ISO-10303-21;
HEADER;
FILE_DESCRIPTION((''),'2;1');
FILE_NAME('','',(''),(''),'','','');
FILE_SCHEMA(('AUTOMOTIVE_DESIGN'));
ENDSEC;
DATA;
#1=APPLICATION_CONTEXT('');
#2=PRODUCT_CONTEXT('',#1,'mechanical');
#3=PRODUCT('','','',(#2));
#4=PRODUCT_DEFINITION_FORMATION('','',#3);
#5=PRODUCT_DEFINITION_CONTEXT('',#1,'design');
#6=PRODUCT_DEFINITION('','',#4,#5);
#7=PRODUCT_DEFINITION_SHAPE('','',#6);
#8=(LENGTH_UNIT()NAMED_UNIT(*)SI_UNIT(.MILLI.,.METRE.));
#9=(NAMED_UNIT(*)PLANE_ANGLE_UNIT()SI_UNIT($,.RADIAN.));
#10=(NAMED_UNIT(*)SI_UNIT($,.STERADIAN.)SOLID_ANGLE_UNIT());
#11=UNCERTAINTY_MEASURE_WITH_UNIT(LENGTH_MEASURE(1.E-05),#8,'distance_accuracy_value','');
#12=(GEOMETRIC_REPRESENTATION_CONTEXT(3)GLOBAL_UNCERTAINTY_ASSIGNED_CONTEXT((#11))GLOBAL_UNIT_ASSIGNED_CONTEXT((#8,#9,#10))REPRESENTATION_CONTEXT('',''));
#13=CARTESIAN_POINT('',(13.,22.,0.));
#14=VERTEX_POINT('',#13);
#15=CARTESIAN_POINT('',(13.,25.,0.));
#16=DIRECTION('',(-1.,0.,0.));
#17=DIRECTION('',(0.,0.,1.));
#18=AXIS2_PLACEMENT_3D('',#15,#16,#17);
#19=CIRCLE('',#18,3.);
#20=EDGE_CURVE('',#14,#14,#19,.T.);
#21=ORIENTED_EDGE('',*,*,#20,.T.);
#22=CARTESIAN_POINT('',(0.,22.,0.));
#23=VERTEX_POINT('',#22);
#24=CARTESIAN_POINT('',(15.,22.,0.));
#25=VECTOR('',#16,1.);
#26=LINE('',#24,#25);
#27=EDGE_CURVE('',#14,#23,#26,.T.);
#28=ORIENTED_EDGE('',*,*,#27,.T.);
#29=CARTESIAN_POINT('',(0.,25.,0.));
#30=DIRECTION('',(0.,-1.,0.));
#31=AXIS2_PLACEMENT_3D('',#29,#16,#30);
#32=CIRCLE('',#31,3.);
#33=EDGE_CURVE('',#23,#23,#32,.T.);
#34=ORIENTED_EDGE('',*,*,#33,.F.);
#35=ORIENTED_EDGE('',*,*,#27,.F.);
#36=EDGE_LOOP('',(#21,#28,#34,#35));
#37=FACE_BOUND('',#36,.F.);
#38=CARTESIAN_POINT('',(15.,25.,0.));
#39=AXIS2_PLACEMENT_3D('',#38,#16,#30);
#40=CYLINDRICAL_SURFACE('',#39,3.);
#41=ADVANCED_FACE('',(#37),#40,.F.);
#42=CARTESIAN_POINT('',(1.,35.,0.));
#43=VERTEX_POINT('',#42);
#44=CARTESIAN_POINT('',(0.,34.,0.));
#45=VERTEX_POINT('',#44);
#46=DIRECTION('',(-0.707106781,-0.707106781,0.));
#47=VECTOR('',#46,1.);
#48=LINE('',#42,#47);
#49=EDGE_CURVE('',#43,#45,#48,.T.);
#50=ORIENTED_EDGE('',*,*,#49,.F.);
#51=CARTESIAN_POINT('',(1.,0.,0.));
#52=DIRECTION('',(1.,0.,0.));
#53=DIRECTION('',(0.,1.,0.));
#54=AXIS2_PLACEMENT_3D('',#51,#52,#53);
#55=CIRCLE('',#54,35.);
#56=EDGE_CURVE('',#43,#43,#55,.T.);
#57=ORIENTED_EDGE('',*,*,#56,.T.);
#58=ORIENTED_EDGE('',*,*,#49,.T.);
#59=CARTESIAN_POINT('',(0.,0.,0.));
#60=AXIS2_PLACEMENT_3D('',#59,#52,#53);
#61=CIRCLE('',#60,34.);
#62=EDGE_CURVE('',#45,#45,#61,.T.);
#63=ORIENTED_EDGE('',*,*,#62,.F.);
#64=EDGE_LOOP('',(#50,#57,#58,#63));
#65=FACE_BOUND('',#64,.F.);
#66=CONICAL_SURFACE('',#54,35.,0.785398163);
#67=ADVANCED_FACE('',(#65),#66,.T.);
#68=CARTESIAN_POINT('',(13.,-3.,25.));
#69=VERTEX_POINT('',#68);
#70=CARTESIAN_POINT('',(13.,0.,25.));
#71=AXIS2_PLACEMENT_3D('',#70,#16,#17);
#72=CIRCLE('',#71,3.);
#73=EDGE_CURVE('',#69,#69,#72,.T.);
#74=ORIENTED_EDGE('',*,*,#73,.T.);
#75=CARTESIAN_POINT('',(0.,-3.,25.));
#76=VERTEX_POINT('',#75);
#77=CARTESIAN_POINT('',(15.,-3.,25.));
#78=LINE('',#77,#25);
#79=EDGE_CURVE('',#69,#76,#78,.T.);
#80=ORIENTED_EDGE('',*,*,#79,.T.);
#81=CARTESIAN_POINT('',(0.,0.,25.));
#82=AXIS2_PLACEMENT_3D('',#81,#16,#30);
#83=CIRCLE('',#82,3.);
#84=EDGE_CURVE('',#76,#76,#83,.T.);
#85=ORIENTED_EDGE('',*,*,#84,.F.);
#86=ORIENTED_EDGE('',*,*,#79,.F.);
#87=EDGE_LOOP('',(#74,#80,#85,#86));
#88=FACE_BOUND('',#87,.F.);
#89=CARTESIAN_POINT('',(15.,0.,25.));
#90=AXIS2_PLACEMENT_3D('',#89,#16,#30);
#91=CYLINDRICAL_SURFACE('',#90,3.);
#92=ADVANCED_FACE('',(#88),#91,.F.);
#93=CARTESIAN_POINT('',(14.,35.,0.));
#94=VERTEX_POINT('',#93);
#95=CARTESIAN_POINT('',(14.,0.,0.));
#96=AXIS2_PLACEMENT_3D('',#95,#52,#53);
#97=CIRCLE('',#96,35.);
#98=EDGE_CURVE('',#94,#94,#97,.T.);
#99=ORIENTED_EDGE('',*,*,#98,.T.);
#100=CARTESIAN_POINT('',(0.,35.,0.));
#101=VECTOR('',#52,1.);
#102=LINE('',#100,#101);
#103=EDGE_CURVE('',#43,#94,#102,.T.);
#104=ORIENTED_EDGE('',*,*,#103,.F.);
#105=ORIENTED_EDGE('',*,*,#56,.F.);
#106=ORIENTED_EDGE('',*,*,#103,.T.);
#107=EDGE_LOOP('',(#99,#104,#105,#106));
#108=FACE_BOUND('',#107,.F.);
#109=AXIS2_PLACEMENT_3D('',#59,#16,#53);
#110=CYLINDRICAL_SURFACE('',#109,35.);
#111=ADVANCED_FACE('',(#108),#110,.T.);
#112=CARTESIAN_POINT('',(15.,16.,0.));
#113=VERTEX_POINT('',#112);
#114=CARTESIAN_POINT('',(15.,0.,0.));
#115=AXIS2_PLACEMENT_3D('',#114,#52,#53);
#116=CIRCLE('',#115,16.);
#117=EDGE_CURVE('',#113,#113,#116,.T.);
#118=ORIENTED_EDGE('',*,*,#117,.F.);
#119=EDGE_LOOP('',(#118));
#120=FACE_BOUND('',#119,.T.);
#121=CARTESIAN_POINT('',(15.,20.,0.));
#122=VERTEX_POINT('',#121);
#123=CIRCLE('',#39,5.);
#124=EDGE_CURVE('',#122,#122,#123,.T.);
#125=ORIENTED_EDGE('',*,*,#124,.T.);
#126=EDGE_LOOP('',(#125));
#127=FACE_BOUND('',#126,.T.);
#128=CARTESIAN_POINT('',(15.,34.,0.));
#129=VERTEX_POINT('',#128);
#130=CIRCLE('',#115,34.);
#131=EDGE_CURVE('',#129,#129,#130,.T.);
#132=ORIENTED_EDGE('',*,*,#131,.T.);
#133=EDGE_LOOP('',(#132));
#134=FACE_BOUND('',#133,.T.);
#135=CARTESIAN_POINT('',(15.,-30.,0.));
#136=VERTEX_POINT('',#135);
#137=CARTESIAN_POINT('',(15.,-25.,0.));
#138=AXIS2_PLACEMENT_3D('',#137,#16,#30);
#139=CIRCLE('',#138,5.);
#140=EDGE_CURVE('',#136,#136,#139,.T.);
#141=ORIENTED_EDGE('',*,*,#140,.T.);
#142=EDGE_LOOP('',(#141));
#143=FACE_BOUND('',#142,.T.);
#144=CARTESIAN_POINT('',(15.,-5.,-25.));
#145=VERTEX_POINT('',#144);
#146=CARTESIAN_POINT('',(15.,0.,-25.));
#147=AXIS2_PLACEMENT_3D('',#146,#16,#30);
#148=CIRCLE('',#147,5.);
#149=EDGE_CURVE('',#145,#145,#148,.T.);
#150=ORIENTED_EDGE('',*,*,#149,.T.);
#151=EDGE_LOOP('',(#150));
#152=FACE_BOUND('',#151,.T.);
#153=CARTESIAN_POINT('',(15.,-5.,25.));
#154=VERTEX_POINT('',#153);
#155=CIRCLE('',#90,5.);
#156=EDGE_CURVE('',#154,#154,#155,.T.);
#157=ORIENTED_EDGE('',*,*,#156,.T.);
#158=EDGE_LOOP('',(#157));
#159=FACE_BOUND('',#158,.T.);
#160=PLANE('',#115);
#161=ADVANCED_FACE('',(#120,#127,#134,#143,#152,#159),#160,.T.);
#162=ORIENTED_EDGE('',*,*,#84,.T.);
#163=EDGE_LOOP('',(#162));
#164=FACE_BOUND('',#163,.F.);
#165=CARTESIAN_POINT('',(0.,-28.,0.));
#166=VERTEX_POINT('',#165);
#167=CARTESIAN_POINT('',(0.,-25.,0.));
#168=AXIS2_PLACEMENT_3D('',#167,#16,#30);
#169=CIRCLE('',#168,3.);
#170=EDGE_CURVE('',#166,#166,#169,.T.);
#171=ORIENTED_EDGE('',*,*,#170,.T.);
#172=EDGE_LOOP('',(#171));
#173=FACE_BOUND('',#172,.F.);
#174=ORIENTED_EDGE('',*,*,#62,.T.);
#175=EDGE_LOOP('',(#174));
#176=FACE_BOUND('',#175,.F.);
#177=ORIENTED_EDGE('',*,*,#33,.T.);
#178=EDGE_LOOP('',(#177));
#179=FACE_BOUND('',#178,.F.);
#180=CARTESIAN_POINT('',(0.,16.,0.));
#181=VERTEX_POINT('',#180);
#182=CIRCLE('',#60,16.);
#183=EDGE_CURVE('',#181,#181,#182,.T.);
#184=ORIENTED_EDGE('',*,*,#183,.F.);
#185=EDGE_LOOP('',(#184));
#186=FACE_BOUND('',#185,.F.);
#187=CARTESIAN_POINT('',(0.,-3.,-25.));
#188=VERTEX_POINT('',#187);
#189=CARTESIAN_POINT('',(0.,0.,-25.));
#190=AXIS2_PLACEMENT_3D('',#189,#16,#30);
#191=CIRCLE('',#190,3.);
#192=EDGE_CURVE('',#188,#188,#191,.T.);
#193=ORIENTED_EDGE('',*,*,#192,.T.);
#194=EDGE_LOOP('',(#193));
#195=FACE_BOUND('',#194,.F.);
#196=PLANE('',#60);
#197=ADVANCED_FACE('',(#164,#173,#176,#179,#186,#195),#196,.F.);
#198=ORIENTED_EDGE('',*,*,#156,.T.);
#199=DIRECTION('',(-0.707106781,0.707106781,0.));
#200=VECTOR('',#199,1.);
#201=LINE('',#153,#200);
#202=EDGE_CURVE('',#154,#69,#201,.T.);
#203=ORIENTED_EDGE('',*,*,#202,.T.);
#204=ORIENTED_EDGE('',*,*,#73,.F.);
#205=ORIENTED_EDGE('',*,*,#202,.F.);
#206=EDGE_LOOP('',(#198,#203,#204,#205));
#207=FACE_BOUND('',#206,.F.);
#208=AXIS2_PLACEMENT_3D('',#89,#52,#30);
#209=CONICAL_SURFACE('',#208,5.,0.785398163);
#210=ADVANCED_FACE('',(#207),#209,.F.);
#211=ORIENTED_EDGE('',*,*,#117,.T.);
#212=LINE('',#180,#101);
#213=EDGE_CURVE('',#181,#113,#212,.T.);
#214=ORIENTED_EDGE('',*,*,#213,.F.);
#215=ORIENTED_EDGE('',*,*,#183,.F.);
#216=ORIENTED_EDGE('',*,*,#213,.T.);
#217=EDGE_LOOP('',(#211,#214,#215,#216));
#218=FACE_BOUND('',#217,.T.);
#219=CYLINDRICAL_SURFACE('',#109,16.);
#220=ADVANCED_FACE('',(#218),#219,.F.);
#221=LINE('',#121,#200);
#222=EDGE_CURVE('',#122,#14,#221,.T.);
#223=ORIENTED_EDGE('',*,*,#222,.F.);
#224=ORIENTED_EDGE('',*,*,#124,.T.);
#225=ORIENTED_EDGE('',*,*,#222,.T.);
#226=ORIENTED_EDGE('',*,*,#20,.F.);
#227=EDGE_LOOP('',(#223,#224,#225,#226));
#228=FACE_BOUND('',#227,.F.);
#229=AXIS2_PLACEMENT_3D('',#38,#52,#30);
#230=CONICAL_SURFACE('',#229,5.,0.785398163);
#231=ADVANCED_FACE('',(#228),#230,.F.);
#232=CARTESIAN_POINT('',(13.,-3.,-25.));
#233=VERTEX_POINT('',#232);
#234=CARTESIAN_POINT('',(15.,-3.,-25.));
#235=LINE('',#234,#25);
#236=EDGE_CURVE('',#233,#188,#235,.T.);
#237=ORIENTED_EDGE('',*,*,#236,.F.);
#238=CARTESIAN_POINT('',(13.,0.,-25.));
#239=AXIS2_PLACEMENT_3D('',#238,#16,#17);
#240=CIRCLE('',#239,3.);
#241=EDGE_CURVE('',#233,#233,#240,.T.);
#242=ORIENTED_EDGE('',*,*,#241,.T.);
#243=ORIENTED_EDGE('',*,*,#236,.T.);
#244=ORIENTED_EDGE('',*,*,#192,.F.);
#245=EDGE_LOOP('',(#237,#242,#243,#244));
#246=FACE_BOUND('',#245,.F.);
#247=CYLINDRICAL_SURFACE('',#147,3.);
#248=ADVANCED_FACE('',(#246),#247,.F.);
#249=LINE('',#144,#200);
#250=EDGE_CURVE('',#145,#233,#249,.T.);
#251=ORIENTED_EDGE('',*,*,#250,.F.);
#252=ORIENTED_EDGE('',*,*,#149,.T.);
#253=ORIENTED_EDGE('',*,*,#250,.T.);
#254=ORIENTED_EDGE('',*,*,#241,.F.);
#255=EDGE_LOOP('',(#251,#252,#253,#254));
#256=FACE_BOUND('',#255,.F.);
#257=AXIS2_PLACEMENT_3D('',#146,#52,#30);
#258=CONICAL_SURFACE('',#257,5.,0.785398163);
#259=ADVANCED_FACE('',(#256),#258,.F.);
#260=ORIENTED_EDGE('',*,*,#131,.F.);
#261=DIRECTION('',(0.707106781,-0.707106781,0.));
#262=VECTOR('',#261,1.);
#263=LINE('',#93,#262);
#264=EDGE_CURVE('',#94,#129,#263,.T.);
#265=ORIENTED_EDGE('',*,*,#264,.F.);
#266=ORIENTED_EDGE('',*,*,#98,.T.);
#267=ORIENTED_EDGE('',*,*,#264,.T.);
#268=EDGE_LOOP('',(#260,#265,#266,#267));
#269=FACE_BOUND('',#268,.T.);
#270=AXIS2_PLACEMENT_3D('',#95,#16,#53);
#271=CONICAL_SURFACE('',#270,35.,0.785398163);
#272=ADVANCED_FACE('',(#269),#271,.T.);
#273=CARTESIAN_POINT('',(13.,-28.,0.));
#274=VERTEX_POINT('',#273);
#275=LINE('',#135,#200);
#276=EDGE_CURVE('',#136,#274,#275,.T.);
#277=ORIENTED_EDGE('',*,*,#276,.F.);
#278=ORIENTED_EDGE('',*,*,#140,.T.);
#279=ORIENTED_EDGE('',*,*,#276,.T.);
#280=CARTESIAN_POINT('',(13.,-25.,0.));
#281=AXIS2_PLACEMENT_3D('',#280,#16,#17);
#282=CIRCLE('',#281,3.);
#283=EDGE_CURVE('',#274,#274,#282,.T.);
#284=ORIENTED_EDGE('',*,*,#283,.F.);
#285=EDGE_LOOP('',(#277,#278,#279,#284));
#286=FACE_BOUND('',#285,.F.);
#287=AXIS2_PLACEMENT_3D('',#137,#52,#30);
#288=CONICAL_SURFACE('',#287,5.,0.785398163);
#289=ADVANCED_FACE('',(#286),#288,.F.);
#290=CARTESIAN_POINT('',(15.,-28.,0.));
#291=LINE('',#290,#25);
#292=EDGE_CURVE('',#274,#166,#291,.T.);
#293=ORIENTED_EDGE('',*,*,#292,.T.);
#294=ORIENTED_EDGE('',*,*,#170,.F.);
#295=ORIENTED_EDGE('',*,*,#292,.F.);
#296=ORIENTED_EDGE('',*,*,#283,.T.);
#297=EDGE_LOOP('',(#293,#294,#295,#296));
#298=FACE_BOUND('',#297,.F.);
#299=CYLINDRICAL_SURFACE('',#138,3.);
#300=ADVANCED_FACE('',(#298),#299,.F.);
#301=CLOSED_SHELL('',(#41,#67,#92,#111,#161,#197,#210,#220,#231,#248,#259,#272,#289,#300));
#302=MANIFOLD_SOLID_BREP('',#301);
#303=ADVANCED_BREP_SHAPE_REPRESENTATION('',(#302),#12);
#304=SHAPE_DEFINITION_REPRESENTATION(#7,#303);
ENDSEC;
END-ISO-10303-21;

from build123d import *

# Parameters (mm, degrees)
F0_R           = 35
F0_R_2         = 16
F1_DEPTH       = 15
F2_SIZE        = 1
F4_D           = 6
F4_CSINK_D     = 10
F4_CSINK_ANGLE = 90


with BuildPart() as f1:
    # F0 (on Right) → F1 (new body)
    with BuildSketch(Plane.YZ):
        Circle(F0_R)
        Circle(F0_R_2, mode=Mode.SUBTRACT)
    extrude(amount=F1_DEPTH)

    # F2
    f2_edges = [f1.edges().sort_by_distance(p)[0] for p in [
        (15, -35, 0),
        (0, -35, 0),
    ]]
    chamfer(f2_edges, length=F2_SIZE)

    # F4 (through all)
    with Locations(Plane.YZ.offset(15)):
        with Locations((0, 25), (-25, 0), (25, 0), (0, -25)):
            CounterSinkHole(F4_D / 2, F4_CSINK_D / 2, counter_sink_angle=F4_CSINK_ANGLE)


solid = f1.part
